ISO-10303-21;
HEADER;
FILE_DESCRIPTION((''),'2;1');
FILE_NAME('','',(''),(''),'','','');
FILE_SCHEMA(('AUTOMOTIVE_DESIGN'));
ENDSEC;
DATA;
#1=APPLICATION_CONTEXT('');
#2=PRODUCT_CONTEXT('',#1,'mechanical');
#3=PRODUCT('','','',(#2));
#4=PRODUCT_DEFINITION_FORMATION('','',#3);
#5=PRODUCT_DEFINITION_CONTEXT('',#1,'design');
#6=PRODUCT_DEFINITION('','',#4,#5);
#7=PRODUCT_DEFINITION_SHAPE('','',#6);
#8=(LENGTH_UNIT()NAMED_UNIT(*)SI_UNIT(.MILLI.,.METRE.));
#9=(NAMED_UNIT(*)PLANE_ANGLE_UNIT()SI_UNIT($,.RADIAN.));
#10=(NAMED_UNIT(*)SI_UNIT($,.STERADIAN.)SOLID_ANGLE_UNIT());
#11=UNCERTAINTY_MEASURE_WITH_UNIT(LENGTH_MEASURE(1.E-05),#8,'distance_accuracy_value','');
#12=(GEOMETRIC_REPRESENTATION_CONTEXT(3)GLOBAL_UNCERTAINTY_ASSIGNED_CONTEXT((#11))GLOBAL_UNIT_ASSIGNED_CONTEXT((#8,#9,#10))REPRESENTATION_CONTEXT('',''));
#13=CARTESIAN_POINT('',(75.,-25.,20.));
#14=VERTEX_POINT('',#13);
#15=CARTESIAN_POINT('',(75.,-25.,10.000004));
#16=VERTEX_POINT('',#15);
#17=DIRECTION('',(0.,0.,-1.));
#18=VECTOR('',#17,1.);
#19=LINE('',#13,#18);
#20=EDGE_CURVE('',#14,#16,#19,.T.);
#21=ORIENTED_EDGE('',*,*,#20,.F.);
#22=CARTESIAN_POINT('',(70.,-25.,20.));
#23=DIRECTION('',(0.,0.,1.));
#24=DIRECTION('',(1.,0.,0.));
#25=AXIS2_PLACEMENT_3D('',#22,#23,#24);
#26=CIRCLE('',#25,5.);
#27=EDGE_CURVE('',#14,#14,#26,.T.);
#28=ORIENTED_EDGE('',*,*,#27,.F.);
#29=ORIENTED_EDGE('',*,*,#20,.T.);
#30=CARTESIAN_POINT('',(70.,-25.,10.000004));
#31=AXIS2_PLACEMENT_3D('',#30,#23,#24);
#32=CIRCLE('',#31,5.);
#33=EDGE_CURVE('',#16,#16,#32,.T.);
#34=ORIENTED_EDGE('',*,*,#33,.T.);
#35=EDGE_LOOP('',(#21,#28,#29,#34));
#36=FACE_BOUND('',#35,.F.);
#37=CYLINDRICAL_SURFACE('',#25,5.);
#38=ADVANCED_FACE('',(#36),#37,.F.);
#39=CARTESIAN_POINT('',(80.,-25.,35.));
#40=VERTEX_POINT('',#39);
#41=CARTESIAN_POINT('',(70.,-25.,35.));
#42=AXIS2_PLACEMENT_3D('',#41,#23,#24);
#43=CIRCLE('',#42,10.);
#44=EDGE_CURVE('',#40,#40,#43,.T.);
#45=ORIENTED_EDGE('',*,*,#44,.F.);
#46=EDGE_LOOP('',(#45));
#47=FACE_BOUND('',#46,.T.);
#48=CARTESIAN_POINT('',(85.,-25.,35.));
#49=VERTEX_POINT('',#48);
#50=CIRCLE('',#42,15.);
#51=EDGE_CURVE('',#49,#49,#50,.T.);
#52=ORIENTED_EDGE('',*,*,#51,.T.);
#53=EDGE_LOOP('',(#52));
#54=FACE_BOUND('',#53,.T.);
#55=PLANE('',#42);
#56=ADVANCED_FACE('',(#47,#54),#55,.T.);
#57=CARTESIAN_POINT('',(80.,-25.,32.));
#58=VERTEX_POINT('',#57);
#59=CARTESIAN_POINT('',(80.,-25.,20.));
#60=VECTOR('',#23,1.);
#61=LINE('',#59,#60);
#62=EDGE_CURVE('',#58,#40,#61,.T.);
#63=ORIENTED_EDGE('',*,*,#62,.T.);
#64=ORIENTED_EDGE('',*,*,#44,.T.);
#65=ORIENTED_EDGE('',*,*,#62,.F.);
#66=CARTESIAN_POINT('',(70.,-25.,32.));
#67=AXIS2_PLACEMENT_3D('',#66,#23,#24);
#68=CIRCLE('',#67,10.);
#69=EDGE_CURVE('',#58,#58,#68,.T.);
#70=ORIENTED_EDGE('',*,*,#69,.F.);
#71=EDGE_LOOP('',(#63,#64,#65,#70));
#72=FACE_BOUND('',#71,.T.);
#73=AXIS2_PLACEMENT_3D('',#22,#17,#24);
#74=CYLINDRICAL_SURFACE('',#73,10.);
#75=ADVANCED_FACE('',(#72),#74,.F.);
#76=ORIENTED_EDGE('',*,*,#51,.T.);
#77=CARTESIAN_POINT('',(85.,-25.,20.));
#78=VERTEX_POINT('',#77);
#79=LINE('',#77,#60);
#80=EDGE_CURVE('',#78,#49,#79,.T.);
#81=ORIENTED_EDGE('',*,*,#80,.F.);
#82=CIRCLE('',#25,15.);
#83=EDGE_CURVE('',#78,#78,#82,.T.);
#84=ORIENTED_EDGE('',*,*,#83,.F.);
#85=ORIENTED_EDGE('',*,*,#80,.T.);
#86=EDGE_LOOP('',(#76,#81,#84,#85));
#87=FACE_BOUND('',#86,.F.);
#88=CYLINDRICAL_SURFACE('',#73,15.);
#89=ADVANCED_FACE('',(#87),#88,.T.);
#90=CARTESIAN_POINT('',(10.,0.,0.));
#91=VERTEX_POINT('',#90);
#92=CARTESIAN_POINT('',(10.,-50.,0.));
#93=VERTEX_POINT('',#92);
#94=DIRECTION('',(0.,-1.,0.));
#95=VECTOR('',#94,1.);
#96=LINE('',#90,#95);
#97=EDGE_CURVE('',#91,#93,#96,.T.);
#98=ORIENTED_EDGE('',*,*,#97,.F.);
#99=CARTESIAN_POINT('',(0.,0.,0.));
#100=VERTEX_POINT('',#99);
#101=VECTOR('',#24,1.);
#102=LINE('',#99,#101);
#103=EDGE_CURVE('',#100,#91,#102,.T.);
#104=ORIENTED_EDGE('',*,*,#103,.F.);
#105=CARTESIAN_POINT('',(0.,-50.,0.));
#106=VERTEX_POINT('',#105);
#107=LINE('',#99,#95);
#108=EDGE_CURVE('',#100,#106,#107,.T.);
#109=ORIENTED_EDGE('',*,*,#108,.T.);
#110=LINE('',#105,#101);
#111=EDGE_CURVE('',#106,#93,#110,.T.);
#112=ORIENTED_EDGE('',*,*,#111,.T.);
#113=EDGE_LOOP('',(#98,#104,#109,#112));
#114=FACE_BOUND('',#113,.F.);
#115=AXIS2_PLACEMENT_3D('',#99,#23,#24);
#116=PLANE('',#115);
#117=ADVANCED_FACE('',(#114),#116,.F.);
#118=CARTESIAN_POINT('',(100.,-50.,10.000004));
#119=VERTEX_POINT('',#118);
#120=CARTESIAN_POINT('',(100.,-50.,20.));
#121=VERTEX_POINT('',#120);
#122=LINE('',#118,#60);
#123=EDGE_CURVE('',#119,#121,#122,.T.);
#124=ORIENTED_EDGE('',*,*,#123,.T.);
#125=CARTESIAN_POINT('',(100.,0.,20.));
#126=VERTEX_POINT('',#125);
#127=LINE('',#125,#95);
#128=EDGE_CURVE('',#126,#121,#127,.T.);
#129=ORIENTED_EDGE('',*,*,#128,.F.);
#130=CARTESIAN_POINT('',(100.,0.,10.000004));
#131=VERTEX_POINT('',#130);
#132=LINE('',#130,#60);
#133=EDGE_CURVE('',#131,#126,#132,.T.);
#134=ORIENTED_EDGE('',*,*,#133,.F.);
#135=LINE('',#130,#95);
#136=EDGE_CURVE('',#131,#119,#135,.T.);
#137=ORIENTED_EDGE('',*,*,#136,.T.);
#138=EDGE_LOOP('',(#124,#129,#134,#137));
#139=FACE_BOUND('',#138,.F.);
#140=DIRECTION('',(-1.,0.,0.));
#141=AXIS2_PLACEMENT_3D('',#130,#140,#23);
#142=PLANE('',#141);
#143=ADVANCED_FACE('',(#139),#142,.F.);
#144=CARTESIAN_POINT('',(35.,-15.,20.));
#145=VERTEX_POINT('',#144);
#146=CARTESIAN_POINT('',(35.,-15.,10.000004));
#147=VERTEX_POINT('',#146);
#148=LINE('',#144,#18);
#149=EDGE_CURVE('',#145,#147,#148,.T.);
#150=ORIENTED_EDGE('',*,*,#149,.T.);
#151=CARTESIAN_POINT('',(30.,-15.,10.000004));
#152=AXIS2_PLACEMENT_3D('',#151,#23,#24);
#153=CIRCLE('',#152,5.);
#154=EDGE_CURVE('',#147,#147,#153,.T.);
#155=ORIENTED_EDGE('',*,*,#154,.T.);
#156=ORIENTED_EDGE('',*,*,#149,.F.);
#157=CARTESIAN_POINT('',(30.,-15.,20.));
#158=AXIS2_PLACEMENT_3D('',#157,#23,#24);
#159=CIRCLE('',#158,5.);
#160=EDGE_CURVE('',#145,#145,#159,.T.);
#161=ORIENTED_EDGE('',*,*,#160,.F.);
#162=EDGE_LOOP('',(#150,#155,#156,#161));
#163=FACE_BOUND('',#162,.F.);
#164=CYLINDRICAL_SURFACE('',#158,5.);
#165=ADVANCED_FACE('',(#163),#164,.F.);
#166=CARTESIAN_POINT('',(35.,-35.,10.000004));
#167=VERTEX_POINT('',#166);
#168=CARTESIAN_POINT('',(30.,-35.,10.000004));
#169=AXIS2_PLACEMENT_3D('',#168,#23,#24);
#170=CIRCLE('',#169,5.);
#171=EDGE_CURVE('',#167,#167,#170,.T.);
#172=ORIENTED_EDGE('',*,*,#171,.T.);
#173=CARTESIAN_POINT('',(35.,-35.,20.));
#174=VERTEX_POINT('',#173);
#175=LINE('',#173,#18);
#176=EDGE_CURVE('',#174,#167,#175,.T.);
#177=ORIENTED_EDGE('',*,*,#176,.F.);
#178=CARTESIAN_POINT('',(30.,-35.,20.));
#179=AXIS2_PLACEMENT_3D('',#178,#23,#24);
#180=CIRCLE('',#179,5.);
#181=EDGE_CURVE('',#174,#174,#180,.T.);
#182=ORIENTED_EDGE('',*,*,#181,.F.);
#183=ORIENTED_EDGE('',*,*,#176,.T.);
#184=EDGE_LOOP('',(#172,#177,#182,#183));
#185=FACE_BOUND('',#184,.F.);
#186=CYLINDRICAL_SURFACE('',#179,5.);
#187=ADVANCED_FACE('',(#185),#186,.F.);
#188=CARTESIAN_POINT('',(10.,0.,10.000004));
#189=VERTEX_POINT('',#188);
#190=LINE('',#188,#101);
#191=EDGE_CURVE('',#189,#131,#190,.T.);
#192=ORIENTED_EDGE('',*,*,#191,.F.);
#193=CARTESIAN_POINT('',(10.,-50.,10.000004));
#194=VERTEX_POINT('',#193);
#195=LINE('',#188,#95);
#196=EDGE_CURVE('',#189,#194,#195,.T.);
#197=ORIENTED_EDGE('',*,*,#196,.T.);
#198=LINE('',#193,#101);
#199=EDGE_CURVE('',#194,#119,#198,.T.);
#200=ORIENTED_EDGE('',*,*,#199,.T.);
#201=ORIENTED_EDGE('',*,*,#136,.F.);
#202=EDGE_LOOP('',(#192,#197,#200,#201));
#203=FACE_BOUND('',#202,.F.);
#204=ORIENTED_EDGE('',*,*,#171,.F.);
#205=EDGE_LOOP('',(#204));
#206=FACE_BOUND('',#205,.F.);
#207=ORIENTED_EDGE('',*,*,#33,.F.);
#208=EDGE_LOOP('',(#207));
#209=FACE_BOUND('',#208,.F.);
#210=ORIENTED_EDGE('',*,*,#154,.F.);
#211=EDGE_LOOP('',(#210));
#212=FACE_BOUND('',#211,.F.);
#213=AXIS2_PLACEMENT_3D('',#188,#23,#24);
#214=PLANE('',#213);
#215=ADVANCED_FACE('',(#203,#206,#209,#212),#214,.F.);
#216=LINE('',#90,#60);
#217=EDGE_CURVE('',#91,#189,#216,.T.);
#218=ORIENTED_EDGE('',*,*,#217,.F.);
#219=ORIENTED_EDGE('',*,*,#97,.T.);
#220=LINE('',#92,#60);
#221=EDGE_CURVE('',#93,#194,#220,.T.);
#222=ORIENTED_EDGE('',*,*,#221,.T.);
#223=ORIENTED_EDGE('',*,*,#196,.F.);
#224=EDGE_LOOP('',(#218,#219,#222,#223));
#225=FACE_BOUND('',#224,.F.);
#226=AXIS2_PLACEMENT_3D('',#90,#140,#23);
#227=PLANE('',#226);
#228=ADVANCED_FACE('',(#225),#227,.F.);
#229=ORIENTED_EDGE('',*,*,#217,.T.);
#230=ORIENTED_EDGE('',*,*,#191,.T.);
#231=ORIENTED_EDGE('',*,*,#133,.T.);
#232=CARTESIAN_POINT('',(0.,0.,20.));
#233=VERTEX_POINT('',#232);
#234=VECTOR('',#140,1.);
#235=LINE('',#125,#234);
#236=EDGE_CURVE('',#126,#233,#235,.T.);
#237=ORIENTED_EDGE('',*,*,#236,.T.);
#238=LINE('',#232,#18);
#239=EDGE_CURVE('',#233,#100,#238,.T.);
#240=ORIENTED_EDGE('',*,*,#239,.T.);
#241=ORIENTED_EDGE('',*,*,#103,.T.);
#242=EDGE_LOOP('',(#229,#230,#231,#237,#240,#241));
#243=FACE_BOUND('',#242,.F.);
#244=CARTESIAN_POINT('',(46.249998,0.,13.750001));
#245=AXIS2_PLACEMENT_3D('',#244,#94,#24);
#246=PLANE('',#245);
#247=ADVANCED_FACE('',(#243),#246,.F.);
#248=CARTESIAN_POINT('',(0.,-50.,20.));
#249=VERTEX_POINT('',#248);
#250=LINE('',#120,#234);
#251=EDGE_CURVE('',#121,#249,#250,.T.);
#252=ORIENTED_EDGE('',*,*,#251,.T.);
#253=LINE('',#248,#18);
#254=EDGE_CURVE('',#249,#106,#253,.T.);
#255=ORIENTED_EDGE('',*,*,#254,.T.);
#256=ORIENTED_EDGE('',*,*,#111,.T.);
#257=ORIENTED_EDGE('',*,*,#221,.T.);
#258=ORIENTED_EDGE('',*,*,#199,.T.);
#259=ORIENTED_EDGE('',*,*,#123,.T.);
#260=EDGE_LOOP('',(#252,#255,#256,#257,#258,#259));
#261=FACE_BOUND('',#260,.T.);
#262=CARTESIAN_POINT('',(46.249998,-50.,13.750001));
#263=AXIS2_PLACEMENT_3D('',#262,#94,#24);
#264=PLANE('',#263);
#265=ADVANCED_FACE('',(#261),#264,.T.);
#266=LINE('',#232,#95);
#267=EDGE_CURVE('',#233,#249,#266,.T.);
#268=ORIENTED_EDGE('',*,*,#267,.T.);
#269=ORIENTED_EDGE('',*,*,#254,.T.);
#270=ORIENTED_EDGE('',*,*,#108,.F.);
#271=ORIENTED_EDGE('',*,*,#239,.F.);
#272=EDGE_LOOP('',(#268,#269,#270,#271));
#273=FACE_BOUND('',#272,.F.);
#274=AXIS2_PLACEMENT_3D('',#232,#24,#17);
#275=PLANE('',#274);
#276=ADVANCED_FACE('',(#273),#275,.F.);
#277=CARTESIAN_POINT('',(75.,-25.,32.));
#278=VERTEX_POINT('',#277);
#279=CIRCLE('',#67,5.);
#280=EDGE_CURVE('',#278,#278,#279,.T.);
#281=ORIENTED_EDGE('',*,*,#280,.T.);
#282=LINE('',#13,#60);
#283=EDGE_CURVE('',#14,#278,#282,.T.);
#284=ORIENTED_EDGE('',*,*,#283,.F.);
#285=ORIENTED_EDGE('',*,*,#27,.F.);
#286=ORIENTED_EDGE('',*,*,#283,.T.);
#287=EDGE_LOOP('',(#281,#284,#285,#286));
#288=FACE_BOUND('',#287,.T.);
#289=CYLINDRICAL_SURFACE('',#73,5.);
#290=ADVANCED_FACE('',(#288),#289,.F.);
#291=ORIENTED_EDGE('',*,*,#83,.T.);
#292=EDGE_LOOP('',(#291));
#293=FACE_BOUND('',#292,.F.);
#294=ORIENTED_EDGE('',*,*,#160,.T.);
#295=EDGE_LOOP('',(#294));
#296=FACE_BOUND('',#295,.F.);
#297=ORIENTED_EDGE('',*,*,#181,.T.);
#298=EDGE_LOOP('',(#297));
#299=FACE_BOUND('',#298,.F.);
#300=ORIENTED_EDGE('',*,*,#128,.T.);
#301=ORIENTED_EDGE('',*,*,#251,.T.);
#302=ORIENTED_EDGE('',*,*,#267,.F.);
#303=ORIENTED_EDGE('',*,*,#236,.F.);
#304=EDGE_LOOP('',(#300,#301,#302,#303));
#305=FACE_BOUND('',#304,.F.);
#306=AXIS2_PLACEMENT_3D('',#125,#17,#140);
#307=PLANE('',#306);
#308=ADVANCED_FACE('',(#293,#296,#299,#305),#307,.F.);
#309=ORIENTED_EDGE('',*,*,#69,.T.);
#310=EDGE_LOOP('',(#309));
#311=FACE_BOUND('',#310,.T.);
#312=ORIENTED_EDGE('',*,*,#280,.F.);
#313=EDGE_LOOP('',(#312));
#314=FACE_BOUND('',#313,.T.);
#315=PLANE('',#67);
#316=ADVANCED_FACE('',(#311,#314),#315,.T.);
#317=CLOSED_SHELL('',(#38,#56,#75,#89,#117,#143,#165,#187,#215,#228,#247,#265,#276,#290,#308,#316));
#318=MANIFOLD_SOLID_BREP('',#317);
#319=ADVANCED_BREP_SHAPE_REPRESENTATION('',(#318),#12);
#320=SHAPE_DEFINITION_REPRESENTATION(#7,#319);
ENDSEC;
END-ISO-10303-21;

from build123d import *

# Parameters (mm, degrees)
F1_DEPTH = 50
F2_R     = 15
F2_R_2   = 10
F3_DEPTH = 15
F2_R_3   = 5
F4_DEPTH = 12
F5_DEPTH = 25


with BuildPart() as f1:
    # F0 (on Front) → F1 (new body)
    with BuildSketch(Plane.XZ):
        Polygon((0, 20), (0, 0), (10, 0), (10, 10.000004), (100, 10.000004), (100, 20), align=None)
    extrude(amount=F1_DEPTH)

    # F2 (on face) → F3 (join)
    with BuildSketch(Plane.XY.offset(20)):
        with Locations((70, -25)):
            Circle(F2_R)
        with Locations((70, -25)):
            Circle(F2_R_2, mode=Mode.SUBTRACT)
    extrude(amount=F3_DEPTH)

    # F2 (on face) → F4 (join)
    with BuildSketch(Plane.XY.offset(20)):
        with Locations((70, -25)):
            Circle(F2_R_2)
        with Locations((70, -25)):
            Circle(F2_R_3, mode=Mode.SUBTRACT)
    extrude(amount=F4_DEPTH)

    # F2 (on face) → F5 (cut)
    with BuildSketch(Plane.XY.offset(20)):
        with Locations((70, -25)):
            Circle(F2_R_3)
        with Locations((30, -35)):
            Circle(F2_R_3)
        with Locations((30, -15)):
            Circle(F2_R_3)
    extrude(amount=-F5_DEPTH, mode=Mode.SUBTRACT)


solid = f1.part
